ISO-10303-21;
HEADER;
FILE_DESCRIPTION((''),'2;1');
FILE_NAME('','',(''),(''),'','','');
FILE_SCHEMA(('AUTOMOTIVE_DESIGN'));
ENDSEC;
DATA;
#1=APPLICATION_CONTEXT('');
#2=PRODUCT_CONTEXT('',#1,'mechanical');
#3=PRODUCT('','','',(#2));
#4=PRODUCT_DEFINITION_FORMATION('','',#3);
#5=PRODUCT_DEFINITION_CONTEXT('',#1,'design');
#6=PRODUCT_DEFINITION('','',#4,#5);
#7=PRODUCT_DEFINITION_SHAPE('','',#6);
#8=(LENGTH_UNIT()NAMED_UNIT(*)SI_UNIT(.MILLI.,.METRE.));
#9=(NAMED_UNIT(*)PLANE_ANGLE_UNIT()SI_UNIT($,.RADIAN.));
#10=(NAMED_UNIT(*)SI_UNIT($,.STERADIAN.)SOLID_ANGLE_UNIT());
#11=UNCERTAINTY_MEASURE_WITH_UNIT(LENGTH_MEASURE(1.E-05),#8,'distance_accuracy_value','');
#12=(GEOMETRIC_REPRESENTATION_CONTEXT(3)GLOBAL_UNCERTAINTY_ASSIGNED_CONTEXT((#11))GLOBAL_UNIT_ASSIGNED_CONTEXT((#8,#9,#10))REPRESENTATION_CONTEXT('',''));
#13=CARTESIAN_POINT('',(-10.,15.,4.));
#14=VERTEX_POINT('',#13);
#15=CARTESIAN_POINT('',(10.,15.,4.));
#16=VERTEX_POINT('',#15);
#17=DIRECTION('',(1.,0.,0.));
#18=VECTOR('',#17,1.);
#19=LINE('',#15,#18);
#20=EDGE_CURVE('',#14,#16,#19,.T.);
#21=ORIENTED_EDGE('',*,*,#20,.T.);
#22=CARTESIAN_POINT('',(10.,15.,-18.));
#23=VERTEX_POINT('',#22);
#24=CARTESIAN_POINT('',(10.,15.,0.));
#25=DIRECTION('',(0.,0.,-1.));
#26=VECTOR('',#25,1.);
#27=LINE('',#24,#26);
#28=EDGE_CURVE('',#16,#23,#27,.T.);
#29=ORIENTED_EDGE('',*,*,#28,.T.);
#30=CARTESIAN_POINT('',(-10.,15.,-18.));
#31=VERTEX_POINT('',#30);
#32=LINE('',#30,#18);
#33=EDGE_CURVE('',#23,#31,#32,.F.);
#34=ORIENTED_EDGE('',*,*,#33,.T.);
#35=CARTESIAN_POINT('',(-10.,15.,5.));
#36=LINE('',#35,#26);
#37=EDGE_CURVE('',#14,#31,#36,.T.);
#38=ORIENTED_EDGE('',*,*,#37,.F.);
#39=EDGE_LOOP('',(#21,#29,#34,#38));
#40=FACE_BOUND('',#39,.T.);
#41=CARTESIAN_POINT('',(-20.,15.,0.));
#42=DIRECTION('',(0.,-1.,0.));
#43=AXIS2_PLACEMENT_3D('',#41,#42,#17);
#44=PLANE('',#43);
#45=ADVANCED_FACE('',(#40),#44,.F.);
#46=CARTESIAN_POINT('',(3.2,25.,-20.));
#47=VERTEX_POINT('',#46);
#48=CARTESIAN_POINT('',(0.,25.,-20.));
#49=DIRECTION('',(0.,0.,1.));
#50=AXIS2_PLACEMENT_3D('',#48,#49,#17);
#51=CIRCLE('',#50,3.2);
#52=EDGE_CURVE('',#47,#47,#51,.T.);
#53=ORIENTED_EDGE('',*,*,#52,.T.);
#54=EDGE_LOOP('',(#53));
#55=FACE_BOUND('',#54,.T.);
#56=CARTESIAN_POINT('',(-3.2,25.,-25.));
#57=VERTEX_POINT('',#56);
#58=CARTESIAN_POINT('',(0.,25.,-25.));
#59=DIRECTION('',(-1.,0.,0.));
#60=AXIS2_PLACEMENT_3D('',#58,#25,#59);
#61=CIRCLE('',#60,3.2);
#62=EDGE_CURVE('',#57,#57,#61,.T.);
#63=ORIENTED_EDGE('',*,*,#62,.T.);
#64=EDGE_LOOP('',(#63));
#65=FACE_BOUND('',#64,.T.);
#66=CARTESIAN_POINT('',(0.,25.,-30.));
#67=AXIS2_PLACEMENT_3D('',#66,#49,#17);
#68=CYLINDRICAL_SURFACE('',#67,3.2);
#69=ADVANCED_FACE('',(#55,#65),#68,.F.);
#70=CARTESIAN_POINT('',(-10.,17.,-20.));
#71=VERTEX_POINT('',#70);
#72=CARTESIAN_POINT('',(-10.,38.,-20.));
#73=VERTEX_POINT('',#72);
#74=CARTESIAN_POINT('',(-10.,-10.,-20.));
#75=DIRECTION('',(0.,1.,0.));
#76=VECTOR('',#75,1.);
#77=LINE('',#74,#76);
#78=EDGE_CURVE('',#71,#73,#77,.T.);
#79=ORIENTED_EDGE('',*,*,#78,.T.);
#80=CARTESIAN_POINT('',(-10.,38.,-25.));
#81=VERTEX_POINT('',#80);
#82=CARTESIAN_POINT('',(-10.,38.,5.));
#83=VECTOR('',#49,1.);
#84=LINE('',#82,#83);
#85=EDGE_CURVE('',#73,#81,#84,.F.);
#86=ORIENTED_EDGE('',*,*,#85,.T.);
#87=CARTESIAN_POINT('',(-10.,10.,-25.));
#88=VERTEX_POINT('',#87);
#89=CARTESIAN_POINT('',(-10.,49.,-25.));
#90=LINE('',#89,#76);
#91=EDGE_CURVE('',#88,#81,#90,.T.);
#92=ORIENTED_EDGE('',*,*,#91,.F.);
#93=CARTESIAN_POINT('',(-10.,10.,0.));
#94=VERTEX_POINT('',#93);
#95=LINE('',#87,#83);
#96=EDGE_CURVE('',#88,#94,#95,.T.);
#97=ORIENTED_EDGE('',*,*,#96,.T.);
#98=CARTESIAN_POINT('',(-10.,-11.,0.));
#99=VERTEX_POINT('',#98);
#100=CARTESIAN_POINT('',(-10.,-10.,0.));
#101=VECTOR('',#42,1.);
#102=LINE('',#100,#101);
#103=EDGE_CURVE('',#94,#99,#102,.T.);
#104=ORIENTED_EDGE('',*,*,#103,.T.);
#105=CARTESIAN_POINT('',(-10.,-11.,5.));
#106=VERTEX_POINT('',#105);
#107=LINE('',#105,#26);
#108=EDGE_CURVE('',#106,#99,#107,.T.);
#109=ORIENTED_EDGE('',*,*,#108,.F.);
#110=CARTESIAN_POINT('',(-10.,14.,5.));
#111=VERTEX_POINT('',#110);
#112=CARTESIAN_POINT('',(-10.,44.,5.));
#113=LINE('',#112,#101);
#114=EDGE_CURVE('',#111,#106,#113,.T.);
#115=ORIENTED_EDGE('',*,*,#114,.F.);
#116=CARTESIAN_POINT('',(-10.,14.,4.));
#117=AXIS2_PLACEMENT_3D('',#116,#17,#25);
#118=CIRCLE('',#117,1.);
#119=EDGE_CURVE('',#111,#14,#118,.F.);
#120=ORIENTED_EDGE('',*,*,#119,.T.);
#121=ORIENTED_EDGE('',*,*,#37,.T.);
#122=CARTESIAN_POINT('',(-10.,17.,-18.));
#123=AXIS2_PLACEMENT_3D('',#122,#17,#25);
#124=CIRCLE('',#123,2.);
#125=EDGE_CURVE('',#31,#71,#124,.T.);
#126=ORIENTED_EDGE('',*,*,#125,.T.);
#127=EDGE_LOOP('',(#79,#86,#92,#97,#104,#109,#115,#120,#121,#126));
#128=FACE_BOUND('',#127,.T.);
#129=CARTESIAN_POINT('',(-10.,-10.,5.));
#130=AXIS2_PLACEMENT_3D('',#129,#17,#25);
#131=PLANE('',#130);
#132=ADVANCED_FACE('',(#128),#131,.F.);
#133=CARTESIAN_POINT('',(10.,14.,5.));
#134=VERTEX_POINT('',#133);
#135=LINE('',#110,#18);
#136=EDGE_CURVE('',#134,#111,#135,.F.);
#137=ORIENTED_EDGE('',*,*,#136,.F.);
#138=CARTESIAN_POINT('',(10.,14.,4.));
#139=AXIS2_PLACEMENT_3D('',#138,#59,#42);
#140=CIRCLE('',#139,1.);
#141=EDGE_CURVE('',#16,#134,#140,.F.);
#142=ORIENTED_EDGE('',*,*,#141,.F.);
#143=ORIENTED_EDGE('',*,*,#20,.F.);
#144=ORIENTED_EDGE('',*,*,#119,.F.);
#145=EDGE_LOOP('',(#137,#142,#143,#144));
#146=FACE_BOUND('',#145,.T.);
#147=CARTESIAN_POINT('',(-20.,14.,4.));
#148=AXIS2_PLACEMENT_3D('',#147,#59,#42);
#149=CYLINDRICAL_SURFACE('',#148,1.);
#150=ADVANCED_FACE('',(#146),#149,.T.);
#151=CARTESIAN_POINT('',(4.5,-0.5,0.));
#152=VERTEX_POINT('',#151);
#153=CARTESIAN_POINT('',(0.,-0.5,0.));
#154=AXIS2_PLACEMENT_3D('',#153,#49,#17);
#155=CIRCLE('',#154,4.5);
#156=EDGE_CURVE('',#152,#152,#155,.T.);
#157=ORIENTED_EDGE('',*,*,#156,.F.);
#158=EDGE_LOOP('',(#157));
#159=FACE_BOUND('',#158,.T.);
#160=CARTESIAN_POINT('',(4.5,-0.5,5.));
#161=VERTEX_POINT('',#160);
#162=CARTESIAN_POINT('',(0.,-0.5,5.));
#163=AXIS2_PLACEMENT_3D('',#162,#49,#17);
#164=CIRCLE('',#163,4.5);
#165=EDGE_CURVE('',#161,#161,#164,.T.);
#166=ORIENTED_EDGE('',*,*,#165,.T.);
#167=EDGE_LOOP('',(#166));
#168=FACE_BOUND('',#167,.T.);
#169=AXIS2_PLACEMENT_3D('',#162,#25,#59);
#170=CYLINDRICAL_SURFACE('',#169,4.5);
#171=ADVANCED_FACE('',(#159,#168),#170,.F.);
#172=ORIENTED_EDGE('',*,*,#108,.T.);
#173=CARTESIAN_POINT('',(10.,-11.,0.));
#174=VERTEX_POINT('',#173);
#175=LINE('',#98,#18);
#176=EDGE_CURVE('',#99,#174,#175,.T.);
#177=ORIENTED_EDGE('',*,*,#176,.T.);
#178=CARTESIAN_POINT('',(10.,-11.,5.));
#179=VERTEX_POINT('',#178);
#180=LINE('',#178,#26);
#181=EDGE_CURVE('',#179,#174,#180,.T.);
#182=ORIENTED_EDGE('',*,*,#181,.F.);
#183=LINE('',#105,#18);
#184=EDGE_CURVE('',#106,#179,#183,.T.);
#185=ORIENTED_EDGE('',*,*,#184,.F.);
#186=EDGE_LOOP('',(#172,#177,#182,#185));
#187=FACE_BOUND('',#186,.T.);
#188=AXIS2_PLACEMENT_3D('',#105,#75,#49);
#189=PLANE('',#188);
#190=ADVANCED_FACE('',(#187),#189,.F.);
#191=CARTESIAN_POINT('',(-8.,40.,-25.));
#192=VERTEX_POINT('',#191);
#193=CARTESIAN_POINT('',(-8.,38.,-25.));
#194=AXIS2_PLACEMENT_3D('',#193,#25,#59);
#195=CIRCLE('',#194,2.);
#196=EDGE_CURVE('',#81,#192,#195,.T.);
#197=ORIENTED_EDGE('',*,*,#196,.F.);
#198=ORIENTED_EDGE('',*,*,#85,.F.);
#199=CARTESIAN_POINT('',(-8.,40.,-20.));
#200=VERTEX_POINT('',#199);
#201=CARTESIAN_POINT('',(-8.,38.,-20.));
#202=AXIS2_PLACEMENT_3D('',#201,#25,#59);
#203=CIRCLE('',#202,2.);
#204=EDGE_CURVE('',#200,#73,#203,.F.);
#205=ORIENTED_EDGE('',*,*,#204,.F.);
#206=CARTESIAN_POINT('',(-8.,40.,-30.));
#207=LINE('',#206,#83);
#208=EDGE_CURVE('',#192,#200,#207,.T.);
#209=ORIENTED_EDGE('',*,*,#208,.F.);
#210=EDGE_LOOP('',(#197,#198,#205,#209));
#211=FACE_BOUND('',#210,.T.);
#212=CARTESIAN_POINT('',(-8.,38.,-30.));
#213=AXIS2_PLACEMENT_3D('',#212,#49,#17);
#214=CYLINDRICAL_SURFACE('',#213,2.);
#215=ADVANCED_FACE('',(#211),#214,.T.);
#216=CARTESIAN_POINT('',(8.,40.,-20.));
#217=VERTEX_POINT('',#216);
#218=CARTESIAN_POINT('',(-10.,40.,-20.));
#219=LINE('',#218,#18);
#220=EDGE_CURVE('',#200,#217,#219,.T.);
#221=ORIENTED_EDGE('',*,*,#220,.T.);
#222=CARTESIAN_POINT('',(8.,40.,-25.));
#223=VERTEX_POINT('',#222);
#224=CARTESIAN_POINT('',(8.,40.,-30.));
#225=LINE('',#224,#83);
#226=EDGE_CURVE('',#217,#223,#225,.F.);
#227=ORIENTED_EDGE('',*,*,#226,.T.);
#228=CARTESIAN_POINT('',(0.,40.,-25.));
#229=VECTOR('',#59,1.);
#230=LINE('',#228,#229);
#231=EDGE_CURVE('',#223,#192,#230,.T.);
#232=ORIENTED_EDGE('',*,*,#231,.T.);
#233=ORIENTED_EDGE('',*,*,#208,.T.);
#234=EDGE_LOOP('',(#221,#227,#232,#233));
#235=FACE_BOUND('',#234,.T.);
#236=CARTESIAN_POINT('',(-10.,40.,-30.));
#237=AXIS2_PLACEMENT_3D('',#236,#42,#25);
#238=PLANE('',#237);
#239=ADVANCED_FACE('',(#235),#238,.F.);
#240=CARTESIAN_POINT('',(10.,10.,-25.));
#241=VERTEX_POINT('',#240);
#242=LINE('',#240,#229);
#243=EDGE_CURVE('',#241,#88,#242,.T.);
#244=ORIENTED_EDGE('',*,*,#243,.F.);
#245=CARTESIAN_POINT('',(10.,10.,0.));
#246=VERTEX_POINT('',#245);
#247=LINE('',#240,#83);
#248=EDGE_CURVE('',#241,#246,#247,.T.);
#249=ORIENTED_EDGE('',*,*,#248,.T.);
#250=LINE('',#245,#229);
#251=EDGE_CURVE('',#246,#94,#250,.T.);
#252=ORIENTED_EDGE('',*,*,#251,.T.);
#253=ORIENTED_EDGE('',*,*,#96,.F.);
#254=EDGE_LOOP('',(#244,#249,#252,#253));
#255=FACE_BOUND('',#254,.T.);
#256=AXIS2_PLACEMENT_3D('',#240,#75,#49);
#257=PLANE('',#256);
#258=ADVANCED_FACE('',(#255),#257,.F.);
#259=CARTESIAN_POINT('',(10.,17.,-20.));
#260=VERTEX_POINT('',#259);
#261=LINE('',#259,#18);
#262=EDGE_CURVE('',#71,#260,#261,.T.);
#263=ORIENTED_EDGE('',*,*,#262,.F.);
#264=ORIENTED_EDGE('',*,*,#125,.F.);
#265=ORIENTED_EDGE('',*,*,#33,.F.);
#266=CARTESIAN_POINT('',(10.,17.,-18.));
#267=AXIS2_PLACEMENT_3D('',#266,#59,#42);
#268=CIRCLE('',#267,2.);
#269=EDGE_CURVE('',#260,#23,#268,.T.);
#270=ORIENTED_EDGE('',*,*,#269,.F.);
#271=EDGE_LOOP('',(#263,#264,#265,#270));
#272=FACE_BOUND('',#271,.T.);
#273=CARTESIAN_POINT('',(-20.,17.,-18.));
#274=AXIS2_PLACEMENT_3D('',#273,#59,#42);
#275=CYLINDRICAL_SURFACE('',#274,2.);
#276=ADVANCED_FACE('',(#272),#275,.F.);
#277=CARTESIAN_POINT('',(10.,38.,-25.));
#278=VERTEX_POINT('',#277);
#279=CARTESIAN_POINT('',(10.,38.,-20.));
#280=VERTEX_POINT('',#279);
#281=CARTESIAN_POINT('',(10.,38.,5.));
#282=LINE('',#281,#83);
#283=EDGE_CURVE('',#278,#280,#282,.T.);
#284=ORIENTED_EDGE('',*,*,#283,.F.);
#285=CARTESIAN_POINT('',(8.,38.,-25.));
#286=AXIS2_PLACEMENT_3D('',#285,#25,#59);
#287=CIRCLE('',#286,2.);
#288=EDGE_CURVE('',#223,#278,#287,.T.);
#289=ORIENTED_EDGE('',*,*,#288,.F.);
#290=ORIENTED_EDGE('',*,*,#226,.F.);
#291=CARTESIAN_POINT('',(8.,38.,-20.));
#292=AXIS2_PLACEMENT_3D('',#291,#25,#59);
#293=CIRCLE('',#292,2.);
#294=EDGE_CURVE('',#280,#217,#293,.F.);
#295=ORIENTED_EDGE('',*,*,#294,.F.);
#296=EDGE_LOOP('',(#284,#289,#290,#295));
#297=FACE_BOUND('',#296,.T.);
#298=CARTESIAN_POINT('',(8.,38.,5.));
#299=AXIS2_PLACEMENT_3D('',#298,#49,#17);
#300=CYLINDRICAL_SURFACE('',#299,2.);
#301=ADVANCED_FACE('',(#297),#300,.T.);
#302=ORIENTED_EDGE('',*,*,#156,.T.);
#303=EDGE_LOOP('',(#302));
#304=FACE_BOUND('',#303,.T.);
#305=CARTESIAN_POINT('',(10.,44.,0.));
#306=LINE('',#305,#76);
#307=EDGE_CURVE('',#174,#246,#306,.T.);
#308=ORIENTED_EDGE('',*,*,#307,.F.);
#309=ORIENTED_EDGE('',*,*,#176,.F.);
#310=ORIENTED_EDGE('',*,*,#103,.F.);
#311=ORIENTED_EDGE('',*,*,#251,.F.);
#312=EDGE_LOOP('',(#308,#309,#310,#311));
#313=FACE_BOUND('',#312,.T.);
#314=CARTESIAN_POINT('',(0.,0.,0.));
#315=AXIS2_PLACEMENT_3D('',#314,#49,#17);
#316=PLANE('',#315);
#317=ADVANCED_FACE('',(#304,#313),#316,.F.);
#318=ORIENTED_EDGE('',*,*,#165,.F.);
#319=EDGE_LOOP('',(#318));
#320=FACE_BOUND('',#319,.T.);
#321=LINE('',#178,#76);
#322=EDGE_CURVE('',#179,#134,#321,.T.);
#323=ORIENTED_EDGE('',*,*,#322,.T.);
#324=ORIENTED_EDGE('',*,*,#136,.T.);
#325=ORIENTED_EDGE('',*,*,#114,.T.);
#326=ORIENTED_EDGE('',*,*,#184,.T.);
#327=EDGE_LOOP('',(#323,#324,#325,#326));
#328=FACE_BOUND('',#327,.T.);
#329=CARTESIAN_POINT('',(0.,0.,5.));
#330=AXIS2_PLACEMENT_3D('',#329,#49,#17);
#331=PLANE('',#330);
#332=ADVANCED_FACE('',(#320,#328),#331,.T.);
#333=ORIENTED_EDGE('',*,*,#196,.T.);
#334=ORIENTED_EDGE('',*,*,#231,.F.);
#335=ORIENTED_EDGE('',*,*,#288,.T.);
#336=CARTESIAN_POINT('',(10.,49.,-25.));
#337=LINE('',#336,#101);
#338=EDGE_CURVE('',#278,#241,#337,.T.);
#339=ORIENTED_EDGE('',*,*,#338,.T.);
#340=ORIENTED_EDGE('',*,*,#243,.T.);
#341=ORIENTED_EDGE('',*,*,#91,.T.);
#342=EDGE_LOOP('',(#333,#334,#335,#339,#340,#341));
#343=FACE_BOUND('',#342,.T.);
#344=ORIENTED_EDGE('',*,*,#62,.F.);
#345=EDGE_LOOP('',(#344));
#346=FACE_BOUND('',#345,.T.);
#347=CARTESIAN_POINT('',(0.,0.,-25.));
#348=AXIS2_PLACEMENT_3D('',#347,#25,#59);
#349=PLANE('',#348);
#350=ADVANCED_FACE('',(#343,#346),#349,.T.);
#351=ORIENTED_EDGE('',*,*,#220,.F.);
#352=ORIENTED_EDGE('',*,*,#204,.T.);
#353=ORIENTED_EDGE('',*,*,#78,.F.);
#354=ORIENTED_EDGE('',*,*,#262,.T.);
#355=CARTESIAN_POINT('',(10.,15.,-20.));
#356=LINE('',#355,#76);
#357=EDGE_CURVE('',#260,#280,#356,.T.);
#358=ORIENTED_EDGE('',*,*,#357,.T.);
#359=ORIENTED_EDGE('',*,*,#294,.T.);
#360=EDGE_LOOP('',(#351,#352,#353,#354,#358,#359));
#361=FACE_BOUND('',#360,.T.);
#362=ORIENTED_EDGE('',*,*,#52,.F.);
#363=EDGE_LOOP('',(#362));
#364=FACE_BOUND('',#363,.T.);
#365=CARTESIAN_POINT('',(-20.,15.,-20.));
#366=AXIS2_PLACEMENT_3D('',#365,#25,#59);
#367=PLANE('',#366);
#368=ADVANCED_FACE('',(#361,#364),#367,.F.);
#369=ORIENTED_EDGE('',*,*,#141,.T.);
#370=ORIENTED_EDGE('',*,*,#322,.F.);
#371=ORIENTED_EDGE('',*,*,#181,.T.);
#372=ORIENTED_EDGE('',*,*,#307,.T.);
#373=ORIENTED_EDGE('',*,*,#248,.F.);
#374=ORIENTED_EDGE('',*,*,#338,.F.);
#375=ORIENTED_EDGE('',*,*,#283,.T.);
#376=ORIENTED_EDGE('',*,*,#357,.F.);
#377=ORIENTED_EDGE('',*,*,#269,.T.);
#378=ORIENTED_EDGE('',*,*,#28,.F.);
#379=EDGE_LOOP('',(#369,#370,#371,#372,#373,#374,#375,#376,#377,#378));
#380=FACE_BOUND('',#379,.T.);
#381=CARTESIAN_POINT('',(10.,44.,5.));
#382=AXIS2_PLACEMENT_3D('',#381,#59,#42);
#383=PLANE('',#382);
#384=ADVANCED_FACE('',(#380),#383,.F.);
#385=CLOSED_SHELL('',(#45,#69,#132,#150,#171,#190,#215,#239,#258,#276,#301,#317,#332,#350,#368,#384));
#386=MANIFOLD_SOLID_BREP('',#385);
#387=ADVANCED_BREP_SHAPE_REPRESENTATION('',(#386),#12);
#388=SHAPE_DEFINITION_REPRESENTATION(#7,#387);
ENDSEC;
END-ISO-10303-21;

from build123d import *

# Parameters (mm, degrees)
SKETCH1_R           = 4.5
BOSS_EXTRUDE1_DEPTH = 5
SKETCH2_W           = 20
SKETCH2_H           = 39
BOSS_EXTRUDE2_DEPTH = 25
CUT_EXTRUDE1_DEPTH  = 30
SKETCH4_R           = 3.2
CUT_EXTRUDE2_DEPTH  = 10
FILLET1_R           = 2
FILLET2_R           = 1
SKETCH5_W           = 20
SKETCH5_H           = 9
CUT_EXTRUDE3_DEPTH  = 10
FILLET3_R           = 2


with BuildPart() as part:
    # Sketch1 → Boss-Extrude1 (new body)
    with BuildSketch(Plane.XY):
        Polygon((-10, 10), (-10, -10), (-10, -11), (10, -11), (10, -10), (10, 10), (10, 44), (-10, 44), align=None)
        with Locations((0, -0.5)):
            Circle(SKETCH1_R, mode=Mode.SUBTRACT)
    extrude(amount=BOSS_EXTRUDE1_DEPTH)

    # Sketch2 → Boss-Extrude2 (add)
    with BuildSketch(Plane(origin=(0, 0, 0), x_dir=(-1, 0, 0), z_dir=(0, 0, -1))):
        with Locations((0, 29.5)):
            Rectangle(SKETCH2_W, SKETCH2_H)
    extrude(amount=BOSS_EXTRUDE2_DEPTH)

    # Sketch3 → Cut-Extrude1 (cut)
    with BuildSketch(Plane(origin=(10, 0, 0), x_dir=(0, 0, -1), z_dir=(1, 0, 0))):
        Polygon((0, 15), (-5, 15), (-5, 49), (20, 49), (20, 15), align=None)
    extrude(amount=-CUT_EXTRUDE1_DEPTH, mode=Mode.SUBTRACT)

    # Sketch4 → Cut-Extrude2 (cut)
    with BuildSketch(Plane.XY.offset(-20)):
        with Locations((0, 25)):
            Circle(SKETCH4_R)
    extrude(amount=-CUT_EXTRUDE2_DEPTH, mode=Mode.SUBTRACT)

    # Fillet1
    fillet1_edges = [part.edges().sort_by_distance(p)[0] for p in [
        (0, 15, -20),
    ]]
    fillet(fillet1_edges, radius=FILLET1_R)

    # Fillet2
    fillet2_edges = [part.edges().sort_by_distance(p)[0] for p in [
        (0, 15, 5),
    ]]
    fillet(fillet2_edges, radius=FILLET2_R)

    # Sketch5 → Cut-Extrude3 (cut)
    with BuildSketch(Plane.XY.offset(-20)):
        with Locations((0, 44.5)):
            Rectangle(SKETCH5_W, SKETCH5_H)
    extrude(amount=-CUT_EXTRUDE3_DEPTH, mode=Mode.SUBTRACT)

    # Fillet3
    fillet3_edges = [part.edges().sort_by_distance(p)[0] for p in [
        (10, 40, -22.5),
        (-10, 40, -22.5),
    ]]
    fillet(fillet3_edges, radius=FILLET3_R)


solid = part.part
